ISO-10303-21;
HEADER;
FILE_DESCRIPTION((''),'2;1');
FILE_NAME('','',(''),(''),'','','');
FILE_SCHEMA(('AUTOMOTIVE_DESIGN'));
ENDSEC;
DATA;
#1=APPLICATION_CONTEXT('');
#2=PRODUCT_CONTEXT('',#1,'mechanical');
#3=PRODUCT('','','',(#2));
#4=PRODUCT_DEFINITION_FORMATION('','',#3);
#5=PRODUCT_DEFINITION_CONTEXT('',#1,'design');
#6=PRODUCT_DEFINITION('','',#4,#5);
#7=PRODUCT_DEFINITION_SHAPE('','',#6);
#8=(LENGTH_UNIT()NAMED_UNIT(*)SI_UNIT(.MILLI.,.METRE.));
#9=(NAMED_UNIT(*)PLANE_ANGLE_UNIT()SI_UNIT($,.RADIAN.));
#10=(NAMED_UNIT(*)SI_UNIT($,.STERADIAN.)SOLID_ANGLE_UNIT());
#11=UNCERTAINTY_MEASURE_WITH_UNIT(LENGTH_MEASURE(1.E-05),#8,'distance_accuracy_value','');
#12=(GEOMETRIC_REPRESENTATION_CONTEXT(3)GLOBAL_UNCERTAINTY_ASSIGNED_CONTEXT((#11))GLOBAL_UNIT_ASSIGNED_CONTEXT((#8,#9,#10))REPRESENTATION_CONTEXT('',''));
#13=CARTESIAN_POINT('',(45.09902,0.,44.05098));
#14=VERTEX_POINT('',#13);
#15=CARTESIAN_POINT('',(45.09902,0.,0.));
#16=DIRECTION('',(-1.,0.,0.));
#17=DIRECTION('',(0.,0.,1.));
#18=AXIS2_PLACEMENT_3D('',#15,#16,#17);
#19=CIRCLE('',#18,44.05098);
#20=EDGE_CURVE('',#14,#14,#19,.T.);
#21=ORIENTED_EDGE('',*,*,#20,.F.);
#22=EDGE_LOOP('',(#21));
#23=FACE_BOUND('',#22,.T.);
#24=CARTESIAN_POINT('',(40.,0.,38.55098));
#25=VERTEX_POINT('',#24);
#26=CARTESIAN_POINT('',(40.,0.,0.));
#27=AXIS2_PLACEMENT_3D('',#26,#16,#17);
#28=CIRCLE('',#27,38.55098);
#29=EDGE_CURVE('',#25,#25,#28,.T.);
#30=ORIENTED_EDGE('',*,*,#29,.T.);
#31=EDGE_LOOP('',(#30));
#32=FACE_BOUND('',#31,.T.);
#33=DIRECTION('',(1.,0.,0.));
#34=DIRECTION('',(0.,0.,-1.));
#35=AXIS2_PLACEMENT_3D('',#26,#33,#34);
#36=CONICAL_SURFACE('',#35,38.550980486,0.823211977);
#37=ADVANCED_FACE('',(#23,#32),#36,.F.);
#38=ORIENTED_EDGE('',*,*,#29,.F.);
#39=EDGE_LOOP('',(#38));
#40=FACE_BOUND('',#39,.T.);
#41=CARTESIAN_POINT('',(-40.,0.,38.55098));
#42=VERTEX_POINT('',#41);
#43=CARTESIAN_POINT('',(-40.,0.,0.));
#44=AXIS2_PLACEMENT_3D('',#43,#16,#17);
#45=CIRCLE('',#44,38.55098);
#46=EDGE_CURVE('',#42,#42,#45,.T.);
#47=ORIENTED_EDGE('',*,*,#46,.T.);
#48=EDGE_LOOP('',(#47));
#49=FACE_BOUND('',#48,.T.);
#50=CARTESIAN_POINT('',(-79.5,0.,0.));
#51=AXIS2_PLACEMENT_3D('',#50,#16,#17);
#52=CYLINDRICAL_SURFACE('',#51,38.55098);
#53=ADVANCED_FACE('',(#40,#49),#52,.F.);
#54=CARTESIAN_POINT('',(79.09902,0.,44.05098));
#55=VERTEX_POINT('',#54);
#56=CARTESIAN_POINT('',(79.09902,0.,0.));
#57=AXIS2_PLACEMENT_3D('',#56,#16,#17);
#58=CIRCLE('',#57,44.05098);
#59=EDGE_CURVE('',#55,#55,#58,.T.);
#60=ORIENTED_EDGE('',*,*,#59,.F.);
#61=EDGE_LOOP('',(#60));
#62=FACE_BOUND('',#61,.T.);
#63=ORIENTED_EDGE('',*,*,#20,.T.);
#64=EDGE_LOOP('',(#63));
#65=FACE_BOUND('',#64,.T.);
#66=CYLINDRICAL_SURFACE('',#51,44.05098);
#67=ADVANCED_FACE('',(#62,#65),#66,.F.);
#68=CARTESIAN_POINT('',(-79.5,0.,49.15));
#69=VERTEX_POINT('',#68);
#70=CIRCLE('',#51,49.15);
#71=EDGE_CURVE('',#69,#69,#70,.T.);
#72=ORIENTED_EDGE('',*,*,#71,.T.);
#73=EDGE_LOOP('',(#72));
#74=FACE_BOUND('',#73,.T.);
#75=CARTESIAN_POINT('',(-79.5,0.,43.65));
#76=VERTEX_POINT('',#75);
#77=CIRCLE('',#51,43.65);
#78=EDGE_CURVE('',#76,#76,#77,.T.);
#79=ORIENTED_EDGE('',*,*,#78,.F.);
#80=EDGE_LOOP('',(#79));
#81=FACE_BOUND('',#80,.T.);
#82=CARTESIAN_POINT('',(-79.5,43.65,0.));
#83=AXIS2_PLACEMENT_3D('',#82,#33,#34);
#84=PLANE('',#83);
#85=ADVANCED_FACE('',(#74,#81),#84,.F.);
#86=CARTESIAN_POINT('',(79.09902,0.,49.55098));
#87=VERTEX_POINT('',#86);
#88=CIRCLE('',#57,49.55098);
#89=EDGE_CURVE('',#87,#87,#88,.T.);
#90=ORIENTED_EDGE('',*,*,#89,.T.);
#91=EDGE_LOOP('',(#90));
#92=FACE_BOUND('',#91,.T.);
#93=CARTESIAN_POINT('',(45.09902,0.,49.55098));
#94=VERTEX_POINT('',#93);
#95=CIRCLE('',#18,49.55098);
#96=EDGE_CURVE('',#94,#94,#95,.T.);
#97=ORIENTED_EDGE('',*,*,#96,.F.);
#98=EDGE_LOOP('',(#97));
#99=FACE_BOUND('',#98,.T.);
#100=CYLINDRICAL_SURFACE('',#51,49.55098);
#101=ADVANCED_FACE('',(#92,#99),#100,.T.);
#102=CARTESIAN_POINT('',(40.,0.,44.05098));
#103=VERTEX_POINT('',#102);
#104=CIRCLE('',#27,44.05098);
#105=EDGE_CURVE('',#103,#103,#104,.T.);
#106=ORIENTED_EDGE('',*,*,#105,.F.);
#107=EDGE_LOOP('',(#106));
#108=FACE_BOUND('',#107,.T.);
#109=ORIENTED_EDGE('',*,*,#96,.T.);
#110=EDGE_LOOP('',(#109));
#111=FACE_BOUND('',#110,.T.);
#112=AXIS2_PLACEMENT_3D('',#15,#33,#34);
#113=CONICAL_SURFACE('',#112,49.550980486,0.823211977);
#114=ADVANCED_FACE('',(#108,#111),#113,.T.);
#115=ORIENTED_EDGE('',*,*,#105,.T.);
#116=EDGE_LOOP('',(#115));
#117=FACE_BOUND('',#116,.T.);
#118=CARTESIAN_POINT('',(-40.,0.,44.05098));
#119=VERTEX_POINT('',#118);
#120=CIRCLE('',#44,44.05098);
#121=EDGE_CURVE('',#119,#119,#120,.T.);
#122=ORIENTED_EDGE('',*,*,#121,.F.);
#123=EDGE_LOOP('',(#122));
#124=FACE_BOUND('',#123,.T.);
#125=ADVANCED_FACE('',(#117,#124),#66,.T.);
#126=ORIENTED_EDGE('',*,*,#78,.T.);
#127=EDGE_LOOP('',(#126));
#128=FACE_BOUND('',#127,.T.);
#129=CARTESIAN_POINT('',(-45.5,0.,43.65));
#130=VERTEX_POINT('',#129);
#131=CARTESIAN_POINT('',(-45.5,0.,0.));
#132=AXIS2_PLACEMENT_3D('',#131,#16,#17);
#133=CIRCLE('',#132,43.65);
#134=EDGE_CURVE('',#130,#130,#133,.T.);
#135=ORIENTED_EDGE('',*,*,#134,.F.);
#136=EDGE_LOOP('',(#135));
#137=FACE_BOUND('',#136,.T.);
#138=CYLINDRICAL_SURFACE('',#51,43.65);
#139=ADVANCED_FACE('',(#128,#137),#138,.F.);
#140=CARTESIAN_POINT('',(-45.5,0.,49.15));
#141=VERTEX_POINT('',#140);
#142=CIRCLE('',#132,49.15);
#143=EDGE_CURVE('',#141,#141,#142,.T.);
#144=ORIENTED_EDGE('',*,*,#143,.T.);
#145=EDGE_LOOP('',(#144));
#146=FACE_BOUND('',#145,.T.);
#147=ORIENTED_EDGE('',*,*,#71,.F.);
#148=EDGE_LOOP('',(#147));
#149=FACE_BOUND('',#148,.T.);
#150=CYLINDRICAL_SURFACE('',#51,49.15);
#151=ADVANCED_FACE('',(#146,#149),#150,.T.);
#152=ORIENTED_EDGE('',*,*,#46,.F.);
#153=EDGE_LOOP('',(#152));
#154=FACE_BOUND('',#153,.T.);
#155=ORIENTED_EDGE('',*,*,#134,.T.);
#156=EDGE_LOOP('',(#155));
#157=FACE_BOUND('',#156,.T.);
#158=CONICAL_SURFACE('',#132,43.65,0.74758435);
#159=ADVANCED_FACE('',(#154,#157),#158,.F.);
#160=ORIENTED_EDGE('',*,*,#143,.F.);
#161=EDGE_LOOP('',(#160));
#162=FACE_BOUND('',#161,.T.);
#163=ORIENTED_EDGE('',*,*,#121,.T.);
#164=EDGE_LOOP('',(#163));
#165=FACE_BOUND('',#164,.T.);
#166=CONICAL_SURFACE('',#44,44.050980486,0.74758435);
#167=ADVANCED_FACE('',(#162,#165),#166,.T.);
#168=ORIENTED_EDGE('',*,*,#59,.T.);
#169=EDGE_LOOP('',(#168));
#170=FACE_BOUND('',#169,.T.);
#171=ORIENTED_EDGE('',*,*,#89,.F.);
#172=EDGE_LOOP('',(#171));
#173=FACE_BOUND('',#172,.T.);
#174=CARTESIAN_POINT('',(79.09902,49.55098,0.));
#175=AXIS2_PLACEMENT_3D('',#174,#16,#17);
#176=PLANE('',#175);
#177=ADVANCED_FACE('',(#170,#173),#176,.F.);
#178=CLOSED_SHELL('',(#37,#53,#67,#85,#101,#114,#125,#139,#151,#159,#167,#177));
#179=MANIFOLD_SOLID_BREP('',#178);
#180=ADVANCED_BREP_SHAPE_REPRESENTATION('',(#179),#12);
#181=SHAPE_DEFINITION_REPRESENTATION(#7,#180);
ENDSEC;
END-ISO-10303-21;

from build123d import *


with BuildPart() as part:
    # Sketch3 → Revolve1 (revolve)
    with BuildSketch(Plane.XY, mode=Mode.PRIVATE) as revolve1_sk:
        Polygon((-79.5, 49.15), (-45.5, 49.15), (-40, 44.050980486), (40, 44.050980486), (45.099019514, 49.550980486), (79.099019514, 49.550980486), (79.099019514, 44.050980486), (45.099019514, 44.050980486), (40, 38.550980486), (-40, 38.550980486), (-45.5, 43.65), (-79.5, 43.65), align=None)
    revolve(revolve1_sk.sketch.rotate(Axis((-79.5, 0, 0), (1, 0, 0)), 90), axis=Axis((-79.5, 0, 0), (1, 0, 0)))


solid = part.part
